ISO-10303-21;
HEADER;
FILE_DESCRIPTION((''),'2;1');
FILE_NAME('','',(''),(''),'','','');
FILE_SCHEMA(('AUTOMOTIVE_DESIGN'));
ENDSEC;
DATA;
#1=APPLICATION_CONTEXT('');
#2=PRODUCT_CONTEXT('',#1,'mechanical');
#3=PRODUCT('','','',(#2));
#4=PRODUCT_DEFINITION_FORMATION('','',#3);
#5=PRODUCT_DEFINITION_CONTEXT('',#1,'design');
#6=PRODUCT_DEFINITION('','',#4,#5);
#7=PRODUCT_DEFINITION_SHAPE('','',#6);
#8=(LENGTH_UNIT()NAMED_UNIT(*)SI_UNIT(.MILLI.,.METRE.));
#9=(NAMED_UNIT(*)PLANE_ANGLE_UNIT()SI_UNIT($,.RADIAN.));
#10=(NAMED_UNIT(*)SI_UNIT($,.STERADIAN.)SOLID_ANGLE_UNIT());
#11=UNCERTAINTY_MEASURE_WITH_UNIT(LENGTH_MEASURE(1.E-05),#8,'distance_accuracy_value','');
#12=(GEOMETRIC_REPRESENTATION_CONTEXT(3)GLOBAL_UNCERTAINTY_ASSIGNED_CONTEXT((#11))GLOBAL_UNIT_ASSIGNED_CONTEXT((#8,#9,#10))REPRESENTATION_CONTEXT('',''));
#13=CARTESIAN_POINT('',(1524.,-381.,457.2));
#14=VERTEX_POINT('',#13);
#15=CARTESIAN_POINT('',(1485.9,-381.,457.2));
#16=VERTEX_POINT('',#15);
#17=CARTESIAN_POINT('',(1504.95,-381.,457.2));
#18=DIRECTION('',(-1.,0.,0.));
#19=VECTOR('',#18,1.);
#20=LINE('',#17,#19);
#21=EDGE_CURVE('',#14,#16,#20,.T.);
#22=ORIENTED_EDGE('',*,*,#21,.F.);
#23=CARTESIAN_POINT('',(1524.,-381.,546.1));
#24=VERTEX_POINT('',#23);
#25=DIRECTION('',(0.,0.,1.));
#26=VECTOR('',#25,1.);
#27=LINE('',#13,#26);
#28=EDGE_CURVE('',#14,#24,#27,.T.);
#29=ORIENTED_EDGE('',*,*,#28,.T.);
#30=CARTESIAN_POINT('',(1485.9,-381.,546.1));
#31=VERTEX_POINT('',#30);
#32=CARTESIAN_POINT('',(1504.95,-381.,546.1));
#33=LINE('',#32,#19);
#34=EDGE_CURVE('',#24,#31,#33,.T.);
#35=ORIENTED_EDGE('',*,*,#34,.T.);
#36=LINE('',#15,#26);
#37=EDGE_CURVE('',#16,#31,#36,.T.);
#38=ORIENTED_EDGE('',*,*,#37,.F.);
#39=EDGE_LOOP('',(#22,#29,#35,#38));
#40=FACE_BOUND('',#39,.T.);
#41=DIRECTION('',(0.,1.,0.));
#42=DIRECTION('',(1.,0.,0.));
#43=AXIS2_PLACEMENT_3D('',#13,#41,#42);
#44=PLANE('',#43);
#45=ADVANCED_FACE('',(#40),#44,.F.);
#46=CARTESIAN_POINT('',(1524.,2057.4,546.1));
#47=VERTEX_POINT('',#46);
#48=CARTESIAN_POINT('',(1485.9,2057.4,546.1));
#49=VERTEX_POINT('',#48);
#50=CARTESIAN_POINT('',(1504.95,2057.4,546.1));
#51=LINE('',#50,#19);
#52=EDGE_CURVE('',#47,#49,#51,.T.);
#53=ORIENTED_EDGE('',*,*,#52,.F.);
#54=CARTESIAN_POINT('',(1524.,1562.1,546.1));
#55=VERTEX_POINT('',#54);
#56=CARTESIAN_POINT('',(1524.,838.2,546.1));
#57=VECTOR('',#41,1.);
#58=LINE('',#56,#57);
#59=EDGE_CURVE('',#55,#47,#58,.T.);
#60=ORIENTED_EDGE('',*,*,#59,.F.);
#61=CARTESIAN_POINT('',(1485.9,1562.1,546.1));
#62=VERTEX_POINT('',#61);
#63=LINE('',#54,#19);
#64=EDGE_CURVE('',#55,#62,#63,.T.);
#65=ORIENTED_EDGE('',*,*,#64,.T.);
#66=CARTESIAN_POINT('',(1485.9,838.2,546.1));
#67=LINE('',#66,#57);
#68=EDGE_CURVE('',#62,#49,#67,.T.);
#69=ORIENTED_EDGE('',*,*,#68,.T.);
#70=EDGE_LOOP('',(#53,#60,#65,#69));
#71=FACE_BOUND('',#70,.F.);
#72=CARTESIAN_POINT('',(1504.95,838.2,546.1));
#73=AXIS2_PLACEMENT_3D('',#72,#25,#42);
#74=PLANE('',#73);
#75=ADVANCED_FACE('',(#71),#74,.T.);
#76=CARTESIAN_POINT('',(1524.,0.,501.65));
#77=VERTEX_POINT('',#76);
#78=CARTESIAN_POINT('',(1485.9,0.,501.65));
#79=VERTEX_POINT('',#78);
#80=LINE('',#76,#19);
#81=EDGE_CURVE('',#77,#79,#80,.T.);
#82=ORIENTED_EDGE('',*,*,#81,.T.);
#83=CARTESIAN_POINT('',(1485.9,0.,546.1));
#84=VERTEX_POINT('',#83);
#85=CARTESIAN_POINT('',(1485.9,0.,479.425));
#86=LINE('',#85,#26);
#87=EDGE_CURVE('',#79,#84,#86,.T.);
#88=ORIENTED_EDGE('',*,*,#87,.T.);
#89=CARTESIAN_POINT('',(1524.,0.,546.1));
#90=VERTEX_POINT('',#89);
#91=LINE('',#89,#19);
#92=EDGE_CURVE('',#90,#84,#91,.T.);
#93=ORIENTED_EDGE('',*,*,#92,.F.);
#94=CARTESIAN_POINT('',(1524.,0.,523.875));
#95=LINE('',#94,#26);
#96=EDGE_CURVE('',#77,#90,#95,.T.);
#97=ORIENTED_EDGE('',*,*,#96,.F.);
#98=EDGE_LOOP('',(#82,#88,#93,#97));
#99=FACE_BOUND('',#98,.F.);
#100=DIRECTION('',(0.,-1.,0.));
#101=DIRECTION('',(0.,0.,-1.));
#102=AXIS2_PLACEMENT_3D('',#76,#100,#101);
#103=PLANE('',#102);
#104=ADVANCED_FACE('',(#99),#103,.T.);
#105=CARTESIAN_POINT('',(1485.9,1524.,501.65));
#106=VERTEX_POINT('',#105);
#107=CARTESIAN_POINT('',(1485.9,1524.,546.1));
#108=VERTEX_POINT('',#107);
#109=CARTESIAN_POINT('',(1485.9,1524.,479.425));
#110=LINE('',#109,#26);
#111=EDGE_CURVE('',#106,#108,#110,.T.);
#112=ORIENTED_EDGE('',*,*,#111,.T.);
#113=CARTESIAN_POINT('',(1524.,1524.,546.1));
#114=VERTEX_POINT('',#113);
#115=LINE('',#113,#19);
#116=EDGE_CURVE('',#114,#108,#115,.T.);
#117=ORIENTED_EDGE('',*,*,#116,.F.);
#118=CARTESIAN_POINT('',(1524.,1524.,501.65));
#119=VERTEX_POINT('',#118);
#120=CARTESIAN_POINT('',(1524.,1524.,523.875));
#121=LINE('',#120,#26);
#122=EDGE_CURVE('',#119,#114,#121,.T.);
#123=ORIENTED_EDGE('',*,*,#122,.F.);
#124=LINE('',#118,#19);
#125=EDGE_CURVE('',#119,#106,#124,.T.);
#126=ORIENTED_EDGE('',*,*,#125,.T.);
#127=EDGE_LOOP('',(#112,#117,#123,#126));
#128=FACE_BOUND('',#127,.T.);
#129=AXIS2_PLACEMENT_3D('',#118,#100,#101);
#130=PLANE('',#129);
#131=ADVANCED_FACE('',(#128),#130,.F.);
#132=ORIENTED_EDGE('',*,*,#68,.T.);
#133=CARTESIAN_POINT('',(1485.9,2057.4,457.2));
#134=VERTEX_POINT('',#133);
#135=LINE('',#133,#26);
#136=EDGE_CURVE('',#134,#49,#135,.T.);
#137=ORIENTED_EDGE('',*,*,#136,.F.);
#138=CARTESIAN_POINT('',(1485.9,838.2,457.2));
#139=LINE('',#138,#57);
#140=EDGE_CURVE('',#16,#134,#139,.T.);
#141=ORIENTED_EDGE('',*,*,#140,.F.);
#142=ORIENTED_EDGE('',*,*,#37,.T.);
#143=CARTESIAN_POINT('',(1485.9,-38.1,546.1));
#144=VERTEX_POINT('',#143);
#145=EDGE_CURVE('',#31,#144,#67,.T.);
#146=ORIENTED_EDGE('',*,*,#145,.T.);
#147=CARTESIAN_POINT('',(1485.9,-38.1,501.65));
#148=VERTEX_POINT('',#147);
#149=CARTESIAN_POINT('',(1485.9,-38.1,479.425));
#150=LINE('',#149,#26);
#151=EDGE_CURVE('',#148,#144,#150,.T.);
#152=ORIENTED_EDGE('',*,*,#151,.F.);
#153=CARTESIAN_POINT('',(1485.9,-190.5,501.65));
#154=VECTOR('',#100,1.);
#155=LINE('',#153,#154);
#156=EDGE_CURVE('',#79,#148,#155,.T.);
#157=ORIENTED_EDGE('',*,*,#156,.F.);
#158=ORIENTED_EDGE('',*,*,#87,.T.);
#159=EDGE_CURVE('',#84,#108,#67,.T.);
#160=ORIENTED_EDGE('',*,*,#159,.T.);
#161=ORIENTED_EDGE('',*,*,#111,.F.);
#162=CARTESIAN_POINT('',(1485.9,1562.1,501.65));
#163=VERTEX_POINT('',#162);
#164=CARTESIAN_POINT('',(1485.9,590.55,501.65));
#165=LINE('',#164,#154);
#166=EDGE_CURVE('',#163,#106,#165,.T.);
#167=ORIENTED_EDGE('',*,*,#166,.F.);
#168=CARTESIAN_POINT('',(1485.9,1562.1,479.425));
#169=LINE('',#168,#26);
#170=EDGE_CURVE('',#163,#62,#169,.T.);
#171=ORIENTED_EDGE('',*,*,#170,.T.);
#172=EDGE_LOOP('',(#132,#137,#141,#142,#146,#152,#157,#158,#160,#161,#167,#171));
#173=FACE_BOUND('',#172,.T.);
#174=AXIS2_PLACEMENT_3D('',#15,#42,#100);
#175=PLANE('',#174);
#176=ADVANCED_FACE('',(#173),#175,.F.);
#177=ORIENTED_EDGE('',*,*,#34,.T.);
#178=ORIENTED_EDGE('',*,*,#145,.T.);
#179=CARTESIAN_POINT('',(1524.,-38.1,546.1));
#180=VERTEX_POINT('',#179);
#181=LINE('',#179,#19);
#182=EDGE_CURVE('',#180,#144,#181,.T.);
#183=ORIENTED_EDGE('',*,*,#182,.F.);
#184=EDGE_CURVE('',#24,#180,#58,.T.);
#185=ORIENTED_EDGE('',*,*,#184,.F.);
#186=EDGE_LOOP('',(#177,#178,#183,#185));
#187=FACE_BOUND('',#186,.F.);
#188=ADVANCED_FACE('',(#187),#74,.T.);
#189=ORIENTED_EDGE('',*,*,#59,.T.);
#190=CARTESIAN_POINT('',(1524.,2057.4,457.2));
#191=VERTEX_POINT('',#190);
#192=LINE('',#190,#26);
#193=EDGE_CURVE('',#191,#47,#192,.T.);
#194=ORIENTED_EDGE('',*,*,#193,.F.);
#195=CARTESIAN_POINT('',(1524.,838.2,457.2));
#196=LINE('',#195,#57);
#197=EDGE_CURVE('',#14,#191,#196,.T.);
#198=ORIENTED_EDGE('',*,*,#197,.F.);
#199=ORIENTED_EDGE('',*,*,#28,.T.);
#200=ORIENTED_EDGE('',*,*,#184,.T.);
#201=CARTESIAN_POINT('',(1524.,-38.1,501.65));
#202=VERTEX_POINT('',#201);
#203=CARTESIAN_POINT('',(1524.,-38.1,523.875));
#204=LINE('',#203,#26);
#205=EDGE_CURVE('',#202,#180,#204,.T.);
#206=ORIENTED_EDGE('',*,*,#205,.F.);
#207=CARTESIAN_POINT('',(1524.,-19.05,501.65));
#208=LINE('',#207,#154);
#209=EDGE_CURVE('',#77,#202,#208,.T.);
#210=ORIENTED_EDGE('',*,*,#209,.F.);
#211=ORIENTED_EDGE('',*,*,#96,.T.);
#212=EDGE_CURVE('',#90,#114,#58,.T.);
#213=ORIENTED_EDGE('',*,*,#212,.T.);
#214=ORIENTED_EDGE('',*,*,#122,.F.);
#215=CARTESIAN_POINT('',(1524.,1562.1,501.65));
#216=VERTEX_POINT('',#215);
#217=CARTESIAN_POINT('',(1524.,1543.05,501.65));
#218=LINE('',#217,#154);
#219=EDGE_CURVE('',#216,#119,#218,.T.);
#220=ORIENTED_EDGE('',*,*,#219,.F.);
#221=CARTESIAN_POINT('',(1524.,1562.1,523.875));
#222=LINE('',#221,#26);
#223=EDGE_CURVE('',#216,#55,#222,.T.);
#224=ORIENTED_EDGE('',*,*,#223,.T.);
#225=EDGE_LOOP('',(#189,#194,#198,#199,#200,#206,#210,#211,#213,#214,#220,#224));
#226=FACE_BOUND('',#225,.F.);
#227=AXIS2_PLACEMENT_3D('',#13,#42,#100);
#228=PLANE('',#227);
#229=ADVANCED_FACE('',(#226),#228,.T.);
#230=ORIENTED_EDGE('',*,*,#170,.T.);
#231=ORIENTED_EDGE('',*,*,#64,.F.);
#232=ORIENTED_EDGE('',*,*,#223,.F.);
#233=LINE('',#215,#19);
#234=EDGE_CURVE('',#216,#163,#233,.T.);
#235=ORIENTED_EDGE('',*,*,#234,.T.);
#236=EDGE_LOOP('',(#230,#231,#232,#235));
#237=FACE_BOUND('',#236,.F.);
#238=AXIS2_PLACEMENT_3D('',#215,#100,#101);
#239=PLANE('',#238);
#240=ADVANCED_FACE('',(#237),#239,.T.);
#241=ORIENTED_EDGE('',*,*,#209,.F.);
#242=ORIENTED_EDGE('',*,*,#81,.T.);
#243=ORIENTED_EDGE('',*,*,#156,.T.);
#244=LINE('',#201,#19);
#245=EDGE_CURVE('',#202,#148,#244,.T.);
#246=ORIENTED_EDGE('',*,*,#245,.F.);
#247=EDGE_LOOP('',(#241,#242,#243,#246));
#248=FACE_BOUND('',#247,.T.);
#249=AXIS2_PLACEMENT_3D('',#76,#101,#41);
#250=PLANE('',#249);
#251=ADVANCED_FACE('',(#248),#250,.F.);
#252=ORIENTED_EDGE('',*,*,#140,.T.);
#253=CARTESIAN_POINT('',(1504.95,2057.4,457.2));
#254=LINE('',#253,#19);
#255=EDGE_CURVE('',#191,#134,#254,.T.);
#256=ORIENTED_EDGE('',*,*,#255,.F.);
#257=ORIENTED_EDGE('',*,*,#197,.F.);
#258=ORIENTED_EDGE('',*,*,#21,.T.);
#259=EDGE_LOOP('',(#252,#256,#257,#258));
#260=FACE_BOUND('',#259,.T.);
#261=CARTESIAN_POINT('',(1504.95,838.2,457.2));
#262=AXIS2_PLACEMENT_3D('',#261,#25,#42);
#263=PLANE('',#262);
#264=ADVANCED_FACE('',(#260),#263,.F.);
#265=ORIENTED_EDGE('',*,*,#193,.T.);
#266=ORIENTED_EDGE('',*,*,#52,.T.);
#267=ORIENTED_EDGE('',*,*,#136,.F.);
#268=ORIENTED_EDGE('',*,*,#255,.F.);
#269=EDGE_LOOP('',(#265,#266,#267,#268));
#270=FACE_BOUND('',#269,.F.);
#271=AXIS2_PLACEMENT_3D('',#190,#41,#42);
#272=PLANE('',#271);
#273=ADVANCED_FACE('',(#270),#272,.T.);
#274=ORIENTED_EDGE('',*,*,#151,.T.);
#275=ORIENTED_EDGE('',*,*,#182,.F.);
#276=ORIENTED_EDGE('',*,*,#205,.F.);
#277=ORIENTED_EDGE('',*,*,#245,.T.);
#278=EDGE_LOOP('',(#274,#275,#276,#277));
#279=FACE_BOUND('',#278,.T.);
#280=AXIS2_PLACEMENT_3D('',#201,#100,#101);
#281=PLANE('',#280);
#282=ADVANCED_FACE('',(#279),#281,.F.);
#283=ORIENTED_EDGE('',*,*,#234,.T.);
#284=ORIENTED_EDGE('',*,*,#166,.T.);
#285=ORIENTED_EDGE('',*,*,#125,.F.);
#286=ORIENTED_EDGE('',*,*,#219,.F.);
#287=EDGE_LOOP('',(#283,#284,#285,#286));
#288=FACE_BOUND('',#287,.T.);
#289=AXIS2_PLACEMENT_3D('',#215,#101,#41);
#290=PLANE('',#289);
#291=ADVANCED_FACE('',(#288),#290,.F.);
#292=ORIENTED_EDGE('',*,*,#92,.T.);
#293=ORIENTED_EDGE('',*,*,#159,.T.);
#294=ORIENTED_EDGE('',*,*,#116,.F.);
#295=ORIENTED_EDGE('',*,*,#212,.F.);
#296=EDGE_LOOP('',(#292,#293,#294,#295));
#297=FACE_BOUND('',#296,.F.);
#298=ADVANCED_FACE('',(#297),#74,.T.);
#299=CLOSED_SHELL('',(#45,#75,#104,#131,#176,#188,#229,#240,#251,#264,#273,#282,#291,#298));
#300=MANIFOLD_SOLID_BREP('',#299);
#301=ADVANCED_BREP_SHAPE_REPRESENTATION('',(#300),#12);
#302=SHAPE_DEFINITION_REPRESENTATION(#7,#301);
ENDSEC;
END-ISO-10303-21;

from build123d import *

# Parameters (mm, degrees)
BOX007_W        = 38.1
BOX007_H        = 2438.4
BOX007_DEPTH    = 88.9
SKETCH004_W     = 38.1
SKETCH004_H     = 44.45
POCKET004_DEPTH = 38.101


with BuildPart() as pocket004:
    # Box007 → Box007 (new body)
    with BuildSketch(Plane(origin=(0, -381, 457.2), x_dir=(1, 0, 0), z_dir=(0, 0, 1))):
        with Locations((19.05, 1219.2)):
            Rectangle(BOX007_W, BOX007_H)
    extrude(amount=BOX007_DEPTH)

    # Sketch004 → Pocket004 (cut, through all)
    with BuildSketch(Plane(origin=(0, -381, 457.2), x_dir=(0, -1, 0), z_dir=(-1, 0, 0))):
        with Locations((-361.95, 66.675)):
            Rectangle(SKETCH004_W, SKETCH004_H)
        with Locations((-1924.05, 66.675)):
            Rectangle(SKETCH004_W, SKETCH004_H)
    extrude(amount=-POCKET004_DEPTH, mode=Mode.SUBTRACT)


with BuildPart() as eastfloorbeam:
    # Part__Mirroring002: instance of Pocket004
    add(pocket004.part.mirror(Plane(origin=(762, 0, 0), x_dir=(0, -1, 0), z_dir=(1, 0, 0))))


solid = eastfloorbeam.part
